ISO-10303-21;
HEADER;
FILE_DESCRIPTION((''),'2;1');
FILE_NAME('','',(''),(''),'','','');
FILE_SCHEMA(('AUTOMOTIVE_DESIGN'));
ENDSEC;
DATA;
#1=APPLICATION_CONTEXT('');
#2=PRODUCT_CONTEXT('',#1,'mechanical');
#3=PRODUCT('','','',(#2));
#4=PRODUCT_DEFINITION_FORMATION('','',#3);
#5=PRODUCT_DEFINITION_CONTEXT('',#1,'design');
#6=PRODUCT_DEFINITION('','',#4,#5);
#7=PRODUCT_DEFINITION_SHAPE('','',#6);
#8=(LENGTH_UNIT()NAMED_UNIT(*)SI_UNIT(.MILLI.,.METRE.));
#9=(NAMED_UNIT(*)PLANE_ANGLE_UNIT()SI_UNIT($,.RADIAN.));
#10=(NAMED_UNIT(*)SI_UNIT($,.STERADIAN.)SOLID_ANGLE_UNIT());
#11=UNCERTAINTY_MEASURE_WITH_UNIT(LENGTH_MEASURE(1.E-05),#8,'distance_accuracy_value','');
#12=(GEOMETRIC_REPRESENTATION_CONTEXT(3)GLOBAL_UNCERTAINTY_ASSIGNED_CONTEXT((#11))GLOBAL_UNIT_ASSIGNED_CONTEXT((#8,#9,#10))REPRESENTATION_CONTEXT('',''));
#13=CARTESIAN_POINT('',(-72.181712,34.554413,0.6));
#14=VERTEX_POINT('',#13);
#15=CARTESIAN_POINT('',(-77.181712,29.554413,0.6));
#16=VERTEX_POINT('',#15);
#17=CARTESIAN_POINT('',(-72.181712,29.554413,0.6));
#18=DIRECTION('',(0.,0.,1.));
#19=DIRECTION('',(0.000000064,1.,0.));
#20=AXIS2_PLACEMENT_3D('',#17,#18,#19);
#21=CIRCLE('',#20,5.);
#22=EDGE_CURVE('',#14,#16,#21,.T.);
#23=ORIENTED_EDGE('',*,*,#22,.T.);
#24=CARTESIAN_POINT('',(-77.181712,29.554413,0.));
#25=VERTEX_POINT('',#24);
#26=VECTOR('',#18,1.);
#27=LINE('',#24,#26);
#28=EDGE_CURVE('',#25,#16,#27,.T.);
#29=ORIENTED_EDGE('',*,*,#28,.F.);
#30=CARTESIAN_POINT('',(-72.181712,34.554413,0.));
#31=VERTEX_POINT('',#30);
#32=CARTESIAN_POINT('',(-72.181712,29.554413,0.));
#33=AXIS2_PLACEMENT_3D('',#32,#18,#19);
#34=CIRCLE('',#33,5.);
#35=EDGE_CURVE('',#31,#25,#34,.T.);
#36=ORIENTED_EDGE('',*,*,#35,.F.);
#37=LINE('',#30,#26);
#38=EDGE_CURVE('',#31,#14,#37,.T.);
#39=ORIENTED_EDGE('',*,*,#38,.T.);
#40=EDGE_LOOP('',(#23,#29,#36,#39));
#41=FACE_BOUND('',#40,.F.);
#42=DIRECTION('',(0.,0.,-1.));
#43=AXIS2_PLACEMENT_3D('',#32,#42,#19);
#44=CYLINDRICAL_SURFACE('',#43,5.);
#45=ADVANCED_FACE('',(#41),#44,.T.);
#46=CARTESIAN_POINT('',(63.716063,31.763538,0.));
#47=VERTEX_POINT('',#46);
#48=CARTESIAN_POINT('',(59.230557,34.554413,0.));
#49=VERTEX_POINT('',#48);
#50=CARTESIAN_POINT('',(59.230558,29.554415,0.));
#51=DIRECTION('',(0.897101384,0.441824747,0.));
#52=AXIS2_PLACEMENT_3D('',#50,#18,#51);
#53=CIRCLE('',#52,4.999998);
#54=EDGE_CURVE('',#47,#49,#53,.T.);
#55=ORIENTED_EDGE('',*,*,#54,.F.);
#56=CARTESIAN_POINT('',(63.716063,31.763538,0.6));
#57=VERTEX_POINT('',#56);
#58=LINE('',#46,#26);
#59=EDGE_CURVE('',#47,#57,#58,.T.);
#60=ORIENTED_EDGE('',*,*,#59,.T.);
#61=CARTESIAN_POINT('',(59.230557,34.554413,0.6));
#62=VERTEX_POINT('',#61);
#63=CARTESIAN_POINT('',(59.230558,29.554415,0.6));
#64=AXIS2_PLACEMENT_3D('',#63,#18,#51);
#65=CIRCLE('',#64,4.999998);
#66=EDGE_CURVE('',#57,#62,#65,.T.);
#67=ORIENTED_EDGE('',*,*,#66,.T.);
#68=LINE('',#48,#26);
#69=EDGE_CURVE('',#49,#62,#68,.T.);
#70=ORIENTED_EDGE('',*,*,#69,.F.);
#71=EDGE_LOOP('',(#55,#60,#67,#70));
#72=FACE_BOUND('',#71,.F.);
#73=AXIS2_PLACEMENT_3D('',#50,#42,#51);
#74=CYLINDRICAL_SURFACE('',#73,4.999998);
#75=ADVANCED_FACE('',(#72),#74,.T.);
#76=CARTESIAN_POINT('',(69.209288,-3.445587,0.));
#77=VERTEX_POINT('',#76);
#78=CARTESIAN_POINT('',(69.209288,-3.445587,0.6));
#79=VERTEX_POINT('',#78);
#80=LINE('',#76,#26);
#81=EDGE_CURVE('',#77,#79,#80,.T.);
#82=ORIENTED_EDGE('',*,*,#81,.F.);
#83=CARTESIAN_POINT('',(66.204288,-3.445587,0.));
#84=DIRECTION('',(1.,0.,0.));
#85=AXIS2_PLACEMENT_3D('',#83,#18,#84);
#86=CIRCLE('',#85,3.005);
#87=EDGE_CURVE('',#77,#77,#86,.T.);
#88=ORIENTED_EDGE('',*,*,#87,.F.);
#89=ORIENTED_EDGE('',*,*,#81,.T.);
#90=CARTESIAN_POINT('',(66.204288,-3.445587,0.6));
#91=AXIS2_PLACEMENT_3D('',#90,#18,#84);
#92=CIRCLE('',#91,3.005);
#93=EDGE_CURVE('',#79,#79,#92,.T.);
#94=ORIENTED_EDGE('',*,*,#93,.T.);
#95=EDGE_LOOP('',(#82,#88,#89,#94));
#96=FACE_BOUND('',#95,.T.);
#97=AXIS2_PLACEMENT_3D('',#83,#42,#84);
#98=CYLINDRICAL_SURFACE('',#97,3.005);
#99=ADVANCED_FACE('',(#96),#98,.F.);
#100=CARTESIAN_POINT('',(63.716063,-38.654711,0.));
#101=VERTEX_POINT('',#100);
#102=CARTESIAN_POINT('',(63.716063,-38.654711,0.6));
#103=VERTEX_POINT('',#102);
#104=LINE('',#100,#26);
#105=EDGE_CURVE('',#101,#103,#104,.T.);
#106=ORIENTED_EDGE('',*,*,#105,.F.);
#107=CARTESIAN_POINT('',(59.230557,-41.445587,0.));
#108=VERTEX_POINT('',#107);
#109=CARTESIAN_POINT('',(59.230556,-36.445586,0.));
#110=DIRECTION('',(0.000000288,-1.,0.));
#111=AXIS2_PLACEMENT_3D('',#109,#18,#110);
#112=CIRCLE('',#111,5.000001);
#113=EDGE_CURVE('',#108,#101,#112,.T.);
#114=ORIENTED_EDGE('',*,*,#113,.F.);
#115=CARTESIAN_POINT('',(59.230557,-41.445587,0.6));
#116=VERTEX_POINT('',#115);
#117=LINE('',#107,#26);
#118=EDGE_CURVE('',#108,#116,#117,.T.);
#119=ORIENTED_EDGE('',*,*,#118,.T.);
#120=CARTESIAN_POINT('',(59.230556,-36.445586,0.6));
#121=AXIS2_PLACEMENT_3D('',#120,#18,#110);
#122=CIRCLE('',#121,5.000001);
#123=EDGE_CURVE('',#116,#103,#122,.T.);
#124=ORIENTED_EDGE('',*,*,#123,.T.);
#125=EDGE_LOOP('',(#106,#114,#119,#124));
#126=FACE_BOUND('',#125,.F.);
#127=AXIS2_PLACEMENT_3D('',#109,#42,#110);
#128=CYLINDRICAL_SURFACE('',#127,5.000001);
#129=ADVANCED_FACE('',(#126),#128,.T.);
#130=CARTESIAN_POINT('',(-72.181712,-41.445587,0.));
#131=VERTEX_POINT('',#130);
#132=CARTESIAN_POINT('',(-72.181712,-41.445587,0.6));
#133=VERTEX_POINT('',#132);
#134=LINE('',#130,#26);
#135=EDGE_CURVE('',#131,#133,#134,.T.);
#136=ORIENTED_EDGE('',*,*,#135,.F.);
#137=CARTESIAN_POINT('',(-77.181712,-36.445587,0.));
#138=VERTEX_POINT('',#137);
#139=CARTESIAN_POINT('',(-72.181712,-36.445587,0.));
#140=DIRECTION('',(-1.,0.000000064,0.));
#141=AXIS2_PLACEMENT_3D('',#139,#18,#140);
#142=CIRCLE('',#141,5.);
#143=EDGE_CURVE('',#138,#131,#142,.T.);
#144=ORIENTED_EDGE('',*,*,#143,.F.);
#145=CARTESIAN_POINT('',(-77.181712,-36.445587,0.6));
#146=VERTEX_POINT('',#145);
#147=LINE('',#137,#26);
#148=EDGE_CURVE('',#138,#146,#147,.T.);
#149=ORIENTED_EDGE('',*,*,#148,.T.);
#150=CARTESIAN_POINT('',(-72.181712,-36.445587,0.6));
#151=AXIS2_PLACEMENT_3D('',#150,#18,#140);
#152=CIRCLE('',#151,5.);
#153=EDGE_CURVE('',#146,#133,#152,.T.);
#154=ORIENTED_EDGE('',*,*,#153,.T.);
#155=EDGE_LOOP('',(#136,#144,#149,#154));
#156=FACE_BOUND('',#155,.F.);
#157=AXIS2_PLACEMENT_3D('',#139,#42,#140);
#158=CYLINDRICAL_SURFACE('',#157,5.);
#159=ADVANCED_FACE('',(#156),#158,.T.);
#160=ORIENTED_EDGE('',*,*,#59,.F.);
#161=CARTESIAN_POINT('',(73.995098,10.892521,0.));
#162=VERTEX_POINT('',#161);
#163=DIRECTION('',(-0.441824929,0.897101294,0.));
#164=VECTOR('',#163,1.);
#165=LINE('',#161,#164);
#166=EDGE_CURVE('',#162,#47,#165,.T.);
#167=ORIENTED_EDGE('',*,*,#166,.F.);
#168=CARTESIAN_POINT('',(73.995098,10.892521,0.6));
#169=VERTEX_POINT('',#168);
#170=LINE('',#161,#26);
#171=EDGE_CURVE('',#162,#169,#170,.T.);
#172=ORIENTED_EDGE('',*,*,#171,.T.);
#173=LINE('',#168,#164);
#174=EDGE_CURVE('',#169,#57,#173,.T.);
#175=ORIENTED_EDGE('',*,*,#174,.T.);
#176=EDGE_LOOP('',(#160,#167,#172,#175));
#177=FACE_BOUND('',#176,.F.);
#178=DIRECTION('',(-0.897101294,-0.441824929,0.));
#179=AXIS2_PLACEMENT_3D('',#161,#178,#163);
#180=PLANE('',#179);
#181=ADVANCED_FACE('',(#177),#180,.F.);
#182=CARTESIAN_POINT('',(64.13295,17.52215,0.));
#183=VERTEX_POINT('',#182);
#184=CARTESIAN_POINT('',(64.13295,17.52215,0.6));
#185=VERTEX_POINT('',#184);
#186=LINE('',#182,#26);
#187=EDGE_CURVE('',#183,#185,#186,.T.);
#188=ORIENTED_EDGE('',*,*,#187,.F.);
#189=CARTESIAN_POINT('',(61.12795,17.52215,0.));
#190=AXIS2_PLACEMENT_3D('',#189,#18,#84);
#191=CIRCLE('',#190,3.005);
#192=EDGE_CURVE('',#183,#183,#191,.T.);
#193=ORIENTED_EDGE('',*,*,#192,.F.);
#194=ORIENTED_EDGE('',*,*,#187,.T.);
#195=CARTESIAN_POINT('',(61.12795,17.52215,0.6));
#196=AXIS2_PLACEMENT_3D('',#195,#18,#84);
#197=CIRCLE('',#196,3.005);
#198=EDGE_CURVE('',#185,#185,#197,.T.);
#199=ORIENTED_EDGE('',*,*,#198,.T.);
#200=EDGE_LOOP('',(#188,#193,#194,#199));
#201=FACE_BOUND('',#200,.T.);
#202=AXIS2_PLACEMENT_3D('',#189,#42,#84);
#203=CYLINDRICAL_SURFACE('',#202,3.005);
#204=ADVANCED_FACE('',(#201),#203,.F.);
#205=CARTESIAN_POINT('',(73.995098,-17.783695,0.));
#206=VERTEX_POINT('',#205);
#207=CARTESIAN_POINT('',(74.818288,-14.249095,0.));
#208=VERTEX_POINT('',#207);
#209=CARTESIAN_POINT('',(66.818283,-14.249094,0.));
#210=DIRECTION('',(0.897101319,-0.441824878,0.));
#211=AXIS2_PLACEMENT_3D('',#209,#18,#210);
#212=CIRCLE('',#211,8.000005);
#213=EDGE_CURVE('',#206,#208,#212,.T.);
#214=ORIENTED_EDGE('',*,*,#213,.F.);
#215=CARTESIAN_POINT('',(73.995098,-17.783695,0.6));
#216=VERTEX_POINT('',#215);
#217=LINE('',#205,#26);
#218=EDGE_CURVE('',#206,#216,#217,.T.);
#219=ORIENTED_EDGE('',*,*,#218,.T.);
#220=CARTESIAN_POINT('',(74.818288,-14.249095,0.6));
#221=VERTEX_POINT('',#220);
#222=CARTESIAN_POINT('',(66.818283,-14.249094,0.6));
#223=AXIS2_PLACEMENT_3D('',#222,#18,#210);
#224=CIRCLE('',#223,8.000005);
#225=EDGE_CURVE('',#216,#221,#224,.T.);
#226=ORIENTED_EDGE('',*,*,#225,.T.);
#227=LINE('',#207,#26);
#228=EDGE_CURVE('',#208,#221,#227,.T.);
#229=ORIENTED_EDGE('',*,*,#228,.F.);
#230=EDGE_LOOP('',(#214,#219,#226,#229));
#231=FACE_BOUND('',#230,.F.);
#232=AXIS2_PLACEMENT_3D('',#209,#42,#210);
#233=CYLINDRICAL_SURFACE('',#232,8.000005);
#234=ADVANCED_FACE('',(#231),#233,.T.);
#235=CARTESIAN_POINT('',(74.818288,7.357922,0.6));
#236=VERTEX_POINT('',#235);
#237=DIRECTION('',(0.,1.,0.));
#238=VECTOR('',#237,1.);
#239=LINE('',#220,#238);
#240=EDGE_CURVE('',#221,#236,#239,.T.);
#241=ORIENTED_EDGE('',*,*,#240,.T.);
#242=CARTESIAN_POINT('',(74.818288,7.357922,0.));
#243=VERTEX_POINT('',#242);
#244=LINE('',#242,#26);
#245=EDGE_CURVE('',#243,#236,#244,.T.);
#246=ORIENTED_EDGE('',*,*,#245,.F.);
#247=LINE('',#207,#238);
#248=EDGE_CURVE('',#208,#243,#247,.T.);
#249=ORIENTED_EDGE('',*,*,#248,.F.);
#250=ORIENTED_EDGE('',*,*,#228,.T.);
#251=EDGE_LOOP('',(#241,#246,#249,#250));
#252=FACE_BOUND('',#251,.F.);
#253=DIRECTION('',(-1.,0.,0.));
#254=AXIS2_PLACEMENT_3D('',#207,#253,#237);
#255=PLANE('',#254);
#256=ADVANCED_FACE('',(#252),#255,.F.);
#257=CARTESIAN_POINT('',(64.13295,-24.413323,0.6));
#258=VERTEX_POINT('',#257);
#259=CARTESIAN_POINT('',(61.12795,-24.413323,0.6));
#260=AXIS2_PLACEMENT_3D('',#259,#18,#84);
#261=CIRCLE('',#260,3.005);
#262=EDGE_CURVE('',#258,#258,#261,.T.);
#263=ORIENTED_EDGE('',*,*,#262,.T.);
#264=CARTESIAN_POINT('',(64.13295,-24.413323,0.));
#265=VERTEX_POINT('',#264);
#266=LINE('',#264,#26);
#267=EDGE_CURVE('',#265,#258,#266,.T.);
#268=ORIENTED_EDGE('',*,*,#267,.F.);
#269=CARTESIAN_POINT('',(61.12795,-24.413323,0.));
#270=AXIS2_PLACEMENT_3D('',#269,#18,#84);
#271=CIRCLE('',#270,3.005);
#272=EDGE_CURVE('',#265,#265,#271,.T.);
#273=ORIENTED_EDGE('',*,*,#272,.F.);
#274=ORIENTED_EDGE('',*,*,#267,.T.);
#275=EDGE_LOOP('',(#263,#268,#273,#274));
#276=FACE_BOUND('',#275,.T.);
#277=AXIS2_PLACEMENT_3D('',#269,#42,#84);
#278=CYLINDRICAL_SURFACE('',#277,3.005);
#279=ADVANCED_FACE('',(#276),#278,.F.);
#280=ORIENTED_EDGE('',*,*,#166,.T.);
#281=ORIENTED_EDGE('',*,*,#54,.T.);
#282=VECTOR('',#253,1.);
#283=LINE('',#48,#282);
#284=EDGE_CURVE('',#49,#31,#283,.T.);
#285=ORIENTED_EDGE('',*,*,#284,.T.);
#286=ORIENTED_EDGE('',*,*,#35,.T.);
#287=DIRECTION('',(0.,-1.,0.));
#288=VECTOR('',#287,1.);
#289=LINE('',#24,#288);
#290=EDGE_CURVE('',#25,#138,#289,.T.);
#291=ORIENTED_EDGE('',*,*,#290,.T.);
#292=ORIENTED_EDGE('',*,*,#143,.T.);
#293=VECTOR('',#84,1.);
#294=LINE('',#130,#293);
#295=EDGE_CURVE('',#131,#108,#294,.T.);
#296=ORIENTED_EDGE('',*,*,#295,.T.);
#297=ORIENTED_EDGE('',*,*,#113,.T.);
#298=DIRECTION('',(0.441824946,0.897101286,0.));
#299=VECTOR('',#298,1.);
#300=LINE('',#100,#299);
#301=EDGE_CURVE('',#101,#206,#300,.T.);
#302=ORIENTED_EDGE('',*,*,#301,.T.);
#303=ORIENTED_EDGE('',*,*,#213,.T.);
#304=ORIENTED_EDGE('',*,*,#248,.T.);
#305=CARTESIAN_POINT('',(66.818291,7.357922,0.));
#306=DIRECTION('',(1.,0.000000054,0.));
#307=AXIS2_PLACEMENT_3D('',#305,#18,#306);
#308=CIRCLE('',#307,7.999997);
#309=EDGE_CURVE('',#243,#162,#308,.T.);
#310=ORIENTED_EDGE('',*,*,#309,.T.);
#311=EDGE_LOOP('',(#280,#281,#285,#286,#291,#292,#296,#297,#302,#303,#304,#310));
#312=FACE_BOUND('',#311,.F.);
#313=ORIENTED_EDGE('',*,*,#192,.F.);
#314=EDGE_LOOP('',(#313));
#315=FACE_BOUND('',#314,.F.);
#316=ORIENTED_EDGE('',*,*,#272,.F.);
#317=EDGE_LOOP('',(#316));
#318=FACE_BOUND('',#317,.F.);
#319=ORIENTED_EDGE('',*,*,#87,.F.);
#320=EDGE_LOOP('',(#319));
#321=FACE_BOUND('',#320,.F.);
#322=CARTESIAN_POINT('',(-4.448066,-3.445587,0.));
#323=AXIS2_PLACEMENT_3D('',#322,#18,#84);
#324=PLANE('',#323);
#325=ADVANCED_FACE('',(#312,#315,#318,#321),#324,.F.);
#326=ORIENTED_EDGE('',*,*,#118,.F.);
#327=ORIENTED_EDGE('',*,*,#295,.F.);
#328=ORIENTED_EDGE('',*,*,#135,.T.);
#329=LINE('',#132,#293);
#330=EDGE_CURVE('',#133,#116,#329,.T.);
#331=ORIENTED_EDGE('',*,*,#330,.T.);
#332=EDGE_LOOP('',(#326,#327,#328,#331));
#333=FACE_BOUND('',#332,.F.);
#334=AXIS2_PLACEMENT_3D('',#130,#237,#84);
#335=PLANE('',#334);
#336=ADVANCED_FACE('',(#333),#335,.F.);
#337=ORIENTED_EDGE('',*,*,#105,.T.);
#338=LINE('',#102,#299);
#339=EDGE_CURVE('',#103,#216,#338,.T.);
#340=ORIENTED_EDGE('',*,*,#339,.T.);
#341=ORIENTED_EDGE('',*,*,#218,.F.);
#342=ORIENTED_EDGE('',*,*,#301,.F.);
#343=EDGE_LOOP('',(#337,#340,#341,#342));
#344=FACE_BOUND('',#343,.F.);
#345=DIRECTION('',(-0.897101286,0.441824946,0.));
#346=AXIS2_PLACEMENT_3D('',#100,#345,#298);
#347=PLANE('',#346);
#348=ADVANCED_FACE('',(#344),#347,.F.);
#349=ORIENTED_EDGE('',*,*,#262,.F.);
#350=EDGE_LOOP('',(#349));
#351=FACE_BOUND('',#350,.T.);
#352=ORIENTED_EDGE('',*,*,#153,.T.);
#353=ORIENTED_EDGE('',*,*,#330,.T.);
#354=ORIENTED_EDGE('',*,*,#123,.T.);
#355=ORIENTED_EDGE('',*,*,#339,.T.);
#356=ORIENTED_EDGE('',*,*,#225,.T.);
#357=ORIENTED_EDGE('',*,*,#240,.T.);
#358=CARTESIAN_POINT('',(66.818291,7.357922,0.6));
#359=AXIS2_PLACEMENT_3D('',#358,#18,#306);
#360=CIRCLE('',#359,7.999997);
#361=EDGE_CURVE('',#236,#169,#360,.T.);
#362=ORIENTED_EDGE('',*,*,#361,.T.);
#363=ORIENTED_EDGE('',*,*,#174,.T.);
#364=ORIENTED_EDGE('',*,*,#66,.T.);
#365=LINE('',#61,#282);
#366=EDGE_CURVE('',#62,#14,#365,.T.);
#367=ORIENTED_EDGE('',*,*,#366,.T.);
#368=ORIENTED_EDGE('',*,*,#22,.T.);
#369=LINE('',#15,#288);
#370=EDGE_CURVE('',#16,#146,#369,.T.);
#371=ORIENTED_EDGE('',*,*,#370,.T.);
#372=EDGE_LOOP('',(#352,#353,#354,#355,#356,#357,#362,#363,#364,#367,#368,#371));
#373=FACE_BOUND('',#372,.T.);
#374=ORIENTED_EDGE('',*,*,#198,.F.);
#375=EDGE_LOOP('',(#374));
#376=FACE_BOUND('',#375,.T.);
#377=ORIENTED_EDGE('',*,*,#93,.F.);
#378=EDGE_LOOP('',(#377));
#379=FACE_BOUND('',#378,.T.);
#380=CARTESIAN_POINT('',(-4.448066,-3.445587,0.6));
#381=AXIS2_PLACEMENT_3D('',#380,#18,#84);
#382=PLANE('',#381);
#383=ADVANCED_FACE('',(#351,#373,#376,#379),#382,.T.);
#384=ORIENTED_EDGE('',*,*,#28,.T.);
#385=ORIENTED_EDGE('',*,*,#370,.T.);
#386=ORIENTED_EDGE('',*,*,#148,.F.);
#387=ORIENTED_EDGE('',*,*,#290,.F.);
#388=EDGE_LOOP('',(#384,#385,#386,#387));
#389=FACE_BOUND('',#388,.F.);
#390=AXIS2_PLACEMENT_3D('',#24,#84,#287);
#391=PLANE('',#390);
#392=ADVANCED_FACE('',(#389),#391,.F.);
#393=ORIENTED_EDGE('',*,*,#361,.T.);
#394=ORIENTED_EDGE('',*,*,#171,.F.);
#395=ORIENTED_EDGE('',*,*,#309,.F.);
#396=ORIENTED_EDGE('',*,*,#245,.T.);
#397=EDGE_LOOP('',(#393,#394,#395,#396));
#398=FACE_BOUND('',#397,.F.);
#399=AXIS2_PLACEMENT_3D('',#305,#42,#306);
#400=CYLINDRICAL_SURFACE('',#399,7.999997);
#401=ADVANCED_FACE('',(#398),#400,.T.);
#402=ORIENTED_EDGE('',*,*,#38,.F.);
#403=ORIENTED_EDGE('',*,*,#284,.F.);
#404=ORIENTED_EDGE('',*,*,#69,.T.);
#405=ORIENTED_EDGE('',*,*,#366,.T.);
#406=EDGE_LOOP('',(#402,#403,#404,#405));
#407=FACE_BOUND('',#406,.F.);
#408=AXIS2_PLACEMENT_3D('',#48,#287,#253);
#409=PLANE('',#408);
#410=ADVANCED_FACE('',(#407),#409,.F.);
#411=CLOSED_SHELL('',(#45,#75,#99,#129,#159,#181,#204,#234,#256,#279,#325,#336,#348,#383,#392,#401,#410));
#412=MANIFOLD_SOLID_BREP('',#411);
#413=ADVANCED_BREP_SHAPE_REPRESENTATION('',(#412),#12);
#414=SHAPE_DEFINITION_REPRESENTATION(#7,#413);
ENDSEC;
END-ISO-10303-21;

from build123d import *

# Parameters (mm, degrees)
F0_R     = 3.005
F1_DEPTH = 0.6


with BuildPart() as f1:
    # F0 (on Top) → F1 (new body)
    with BuildSketch(Plane.XY):
        with BuildLine():
            ThreePointArc((-77.181712, -36.445587), (-75.717246, -39.981121), (-72.181712, -41.445587))
            Line((-72.181712, -41.445587), (59.230557, -41.445587))
            ThreePointArc((59.230557, -41.445587), (61.871993, -40.690915), (63.716063, -38.654711))
            Line((63.716063, -38.654711), (73.995098, -17.783695))
            ThreePointArc((73.995098, -17.783695), (74.609773, -16.063691), (74.818288, -14.249095))
            Line((74.818288, -14.249095), (74.818288, -3.445587))
            Line((74.818288, -3.445587), (74.818288, 7.357922))
            ThreePointArc((74.818288, 7.357922), (74.609773, 9.172518), (73.995098, 10.892521))
            Line((73.995098, 10.892521), (63.716063, 31.763538))
            ThreePointArc((63.716063, 31.763538), (61.871993, 33.799742), (59.230557, 34.554413))
            Line((59.230557, 34.554413), (-72.181712, 34.554413))
            ThreePointArc((-72.181712, 34.554413), (-75.717246, 33.089947), (-77.181712, 29.554413))
            Line((-77.181712, 29.554413), (-77.181712, -3.445587))
            Line((-77.181712, -3.445587), (-77.181712, -36.445587))
        make_face()
        with Locations((61.12795, -24.413323)):
            Circle(F0_R, mode=Mode.SUBTRACT)
        with Locations((66.204288, -3.445587)):
            Circle(F0_R, mode=Mode.SUBTRACT)
        with Locations((61.12795, 17.52215)):
            Circle(F0_R, mode=Mode.SUBTRACT)
    extrude(amount=F1_DEPTH)


solid = f1.part
